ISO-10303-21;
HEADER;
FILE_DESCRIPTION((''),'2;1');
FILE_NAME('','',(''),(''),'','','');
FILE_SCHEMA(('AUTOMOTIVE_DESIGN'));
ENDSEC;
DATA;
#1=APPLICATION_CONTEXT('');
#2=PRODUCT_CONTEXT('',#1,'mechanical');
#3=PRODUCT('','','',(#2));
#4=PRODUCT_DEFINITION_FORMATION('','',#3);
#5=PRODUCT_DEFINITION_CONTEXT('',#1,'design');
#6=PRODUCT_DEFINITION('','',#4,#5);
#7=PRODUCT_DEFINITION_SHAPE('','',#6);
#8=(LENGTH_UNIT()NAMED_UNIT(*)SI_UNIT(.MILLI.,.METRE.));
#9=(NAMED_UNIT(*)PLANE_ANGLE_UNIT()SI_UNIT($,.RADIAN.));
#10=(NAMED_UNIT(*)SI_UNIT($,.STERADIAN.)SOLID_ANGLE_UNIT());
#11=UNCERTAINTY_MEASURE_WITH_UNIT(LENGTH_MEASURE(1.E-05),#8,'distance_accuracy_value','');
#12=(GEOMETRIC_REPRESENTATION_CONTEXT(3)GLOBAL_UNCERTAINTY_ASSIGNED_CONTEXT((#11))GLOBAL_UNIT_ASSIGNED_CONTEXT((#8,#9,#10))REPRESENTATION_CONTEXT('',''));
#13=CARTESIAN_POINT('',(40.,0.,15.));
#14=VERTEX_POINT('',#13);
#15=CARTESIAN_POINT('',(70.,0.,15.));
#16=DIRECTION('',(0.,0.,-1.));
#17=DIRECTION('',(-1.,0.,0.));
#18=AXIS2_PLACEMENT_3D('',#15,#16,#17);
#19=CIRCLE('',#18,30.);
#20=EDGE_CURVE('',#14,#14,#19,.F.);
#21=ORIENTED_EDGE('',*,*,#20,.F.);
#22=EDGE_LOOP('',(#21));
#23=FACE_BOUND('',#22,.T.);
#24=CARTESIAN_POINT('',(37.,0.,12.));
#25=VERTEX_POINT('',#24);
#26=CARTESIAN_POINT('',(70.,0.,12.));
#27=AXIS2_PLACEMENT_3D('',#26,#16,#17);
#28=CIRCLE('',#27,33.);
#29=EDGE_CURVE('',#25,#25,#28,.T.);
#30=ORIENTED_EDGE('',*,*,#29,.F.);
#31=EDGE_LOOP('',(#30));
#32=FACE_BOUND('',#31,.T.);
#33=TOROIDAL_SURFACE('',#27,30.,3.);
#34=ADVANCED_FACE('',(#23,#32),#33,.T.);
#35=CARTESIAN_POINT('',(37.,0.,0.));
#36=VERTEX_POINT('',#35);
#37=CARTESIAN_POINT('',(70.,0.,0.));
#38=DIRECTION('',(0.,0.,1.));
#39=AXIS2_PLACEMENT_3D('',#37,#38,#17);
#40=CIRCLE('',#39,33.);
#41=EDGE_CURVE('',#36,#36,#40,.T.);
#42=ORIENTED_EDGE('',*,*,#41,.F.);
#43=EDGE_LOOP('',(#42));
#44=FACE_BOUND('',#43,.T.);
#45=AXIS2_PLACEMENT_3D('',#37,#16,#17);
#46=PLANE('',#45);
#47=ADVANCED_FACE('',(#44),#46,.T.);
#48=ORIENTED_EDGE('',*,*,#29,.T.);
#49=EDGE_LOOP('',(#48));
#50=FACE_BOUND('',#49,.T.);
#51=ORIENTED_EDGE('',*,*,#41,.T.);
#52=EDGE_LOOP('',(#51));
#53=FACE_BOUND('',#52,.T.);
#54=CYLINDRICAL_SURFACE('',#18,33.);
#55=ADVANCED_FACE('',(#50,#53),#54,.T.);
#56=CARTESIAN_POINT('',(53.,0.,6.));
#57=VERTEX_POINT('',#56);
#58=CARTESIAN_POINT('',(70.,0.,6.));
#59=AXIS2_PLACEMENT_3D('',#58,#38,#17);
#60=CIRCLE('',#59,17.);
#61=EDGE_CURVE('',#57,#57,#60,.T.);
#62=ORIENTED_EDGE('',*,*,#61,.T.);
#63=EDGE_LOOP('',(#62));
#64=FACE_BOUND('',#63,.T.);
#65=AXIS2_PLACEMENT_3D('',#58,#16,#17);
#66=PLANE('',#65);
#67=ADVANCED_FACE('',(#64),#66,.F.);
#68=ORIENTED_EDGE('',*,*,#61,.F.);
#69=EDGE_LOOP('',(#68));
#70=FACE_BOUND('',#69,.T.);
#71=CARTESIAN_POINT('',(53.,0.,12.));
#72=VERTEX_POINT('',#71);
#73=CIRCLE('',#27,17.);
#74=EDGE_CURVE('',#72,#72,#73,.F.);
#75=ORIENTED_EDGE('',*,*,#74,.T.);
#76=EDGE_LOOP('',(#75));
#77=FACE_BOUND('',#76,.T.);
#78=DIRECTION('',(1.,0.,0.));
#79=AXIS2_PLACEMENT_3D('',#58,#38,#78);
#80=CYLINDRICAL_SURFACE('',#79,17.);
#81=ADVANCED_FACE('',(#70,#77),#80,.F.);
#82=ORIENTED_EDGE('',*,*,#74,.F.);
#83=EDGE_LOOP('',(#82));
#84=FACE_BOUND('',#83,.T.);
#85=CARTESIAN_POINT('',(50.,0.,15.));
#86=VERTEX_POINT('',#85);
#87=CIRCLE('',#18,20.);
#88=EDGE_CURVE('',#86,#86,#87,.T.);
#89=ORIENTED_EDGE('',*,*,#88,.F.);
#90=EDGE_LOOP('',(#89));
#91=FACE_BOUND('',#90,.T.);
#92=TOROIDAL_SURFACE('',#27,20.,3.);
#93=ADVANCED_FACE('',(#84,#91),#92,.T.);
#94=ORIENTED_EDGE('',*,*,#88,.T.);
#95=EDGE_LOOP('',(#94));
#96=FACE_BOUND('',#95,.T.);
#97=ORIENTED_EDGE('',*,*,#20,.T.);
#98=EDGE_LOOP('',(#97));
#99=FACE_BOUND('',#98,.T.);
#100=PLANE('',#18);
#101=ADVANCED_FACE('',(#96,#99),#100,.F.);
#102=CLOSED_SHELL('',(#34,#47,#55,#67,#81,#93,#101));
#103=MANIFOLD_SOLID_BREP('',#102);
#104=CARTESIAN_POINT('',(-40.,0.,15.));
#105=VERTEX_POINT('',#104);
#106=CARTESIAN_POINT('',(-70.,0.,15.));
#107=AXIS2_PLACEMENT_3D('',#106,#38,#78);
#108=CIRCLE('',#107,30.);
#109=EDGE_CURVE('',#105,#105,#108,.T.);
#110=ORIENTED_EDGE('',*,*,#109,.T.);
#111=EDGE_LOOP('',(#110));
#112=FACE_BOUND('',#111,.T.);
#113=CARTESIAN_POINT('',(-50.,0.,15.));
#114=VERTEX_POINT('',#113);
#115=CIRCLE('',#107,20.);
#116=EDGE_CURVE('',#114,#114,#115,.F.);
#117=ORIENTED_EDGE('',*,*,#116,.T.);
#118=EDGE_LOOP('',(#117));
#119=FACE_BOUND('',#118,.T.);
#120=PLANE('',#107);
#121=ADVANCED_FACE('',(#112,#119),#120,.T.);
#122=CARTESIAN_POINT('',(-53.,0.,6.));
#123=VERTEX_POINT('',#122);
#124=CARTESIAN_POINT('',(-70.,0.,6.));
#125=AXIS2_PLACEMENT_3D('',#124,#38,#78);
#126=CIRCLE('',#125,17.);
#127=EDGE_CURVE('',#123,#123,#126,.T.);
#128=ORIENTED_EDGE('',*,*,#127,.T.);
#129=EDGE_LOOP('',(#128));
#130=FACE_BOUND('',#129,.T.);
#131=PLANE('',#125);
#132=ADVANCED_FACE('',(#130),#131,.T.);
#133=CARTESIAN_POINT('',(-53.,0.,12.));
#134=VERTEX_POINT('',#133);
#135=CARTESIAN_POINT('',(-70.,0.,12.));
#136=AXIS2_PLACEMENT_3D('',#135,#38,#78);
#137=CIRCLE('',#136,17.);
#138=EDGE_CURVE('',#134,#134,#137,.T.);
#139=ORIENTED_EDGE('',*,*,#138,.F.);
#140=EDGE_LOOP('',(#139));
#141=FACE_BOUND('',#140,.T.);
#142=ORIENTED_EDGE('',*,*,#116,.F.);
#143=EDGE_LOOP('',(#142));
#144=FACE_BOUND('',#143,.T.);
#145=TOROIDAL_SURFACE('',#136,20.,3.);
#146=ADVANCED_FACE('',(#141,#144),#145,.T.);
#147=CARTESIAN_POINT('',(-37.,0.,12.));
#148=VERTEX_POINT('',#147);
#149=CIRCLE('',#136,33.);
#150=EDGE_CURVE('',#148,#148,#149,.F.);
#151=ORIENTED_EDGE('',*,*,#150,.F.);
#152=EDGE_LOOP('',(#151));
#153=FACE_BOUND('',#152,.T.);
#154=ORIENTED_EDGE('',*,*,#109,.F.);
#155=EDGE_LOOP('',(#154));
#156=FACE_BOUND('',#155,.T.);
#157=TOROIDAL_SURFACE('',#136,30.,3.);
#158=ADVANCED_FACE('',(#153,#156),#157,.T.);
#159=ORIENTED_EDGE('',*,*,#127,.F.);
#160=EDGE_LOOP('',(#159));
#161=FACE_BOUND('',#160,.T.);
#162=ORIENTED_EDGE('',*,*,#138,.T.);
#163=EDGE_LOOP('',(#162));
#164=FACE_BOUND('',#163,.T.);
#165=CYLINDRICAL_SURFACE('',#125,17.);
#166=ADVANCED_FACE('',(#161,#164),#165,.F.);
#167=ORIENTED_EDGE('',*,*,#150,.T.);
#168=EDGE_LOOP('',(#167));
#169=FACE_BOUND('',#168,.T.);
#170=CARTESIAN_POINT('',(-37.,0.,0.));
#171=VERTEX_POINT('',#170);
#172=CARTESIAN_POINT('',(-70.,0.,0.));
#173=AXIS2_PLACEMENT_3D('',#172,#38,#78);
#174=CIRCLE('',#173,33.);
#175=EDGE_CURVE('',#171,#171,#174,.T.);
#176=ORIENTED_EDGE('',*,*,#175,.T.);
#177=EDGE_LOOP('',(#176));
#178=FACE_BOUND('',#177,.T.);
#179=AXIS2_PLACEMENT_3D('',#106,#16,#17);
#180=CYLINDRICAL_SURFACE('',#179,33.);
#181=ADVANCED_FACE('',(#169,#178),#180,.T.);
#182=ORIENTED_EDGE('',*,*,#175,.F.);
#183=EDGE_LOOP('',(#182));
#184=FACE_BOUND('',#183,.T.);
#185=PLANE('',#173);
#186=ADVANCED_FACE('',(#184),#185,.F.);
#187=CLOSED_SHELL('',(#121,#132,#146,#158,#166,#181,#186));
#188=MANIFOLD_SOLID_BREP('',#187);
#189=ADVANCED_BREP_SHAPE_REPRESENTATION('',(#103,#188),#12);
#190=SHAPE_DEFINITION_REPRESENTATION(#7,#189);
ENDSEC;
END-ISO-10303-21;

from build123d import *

# Parameters (mm, degrees)
SKETCH1_R             = 33
BOSS_EXTRUDE1_DEPTH   = 15
BOSS_EXTRUDE1_2_DEPTH = 15
SKETCH2_R             = 17
CUT_EXTRUDE1_DEPTH    = 9
FILLET1_R             = 3
FILLET2_R             = 3
FILLET3_R             = 3
FILLET4_R             = 3


with BuildPart() as part:
    # Sketch1 → Boss-Extrude1 (new body)
    with BuildSketch(Plane.XY):
        with Locations((-70, 0)):
            Circle(SKETCH1_R)
    extrude(amount=BOSS_EXTRUDE1_DEPTH)


with BuildPart() as body_2:
    # Sketch1 → Boss-Extrude1 2 (new body)
    with BuildSketch(Plane.XY):
        with Locations(Location((70, 0, 0), (0, 0, 180))):
            Circle(SKETCH1_R)
    extrude(amount=BOSS_EXTRUDE1_2_DEPTH)


with BuildPart() as cut_extrude1_tool:
    # Sketch2 → Cut-Extrude1 (new body)
    with BuildSketch(Plane.XY.offset(15)):
        with Locations((-70, 0)):
            Circle(SKETCH2_R)
        with Locations(Location((70, 0, 0), (0, 0, 180))):
            Circle(SKETCH2_R)
    extrude(amount=-CUT_EXTRUDE1_DEPTH)


with BuildPart() as part_1:
    add(part.part)

    # Cut-Extrude1: cut by cut_extrude1_tool
    add(cut_extrude1_tool.part, mode=Mode.SUBTRACT)

    # Fillet1
    fillet1_edges = [part_1.edges().sort_by_distance(p)[0] for p in [
        (-103, 0, 15),
    ]]
    fillet(fillet1_edges, radius=FILLET1_R)

    # Fillet4
    fillet4_edges = [part_1.edges().sort_by_distance(p)[0] for p in [
        (-87, 0, 15),
    ]]
    fillet(fillet4_edges, radius=FILLET4_R)


with BuildPart() as body_2_1:
    add(body_2.part)

    # Cut-Extrude1: cut by cut_extrude1_tool
    add(cut_extrude1_tool.part, mode=Mode.SUBTRACT)

    # Fillet2
    fillet2_edges = [body_2_1.edges().sort_by_distance(p)[0] for p in [
        (103, 0, 15),
    ]]
    fillet(fillet2_edges, radius=FILLET2_R)

    # Fillet3
    fillet3_edges = [body_2_1.edges().sort_by_distance(p)[0] for p in [
        (87, 0, 15),
    ]]
    fillet(fillet3_edges, radius=FILLET3_R)


solid = Compound([part_1.part, body_2_1.part])
